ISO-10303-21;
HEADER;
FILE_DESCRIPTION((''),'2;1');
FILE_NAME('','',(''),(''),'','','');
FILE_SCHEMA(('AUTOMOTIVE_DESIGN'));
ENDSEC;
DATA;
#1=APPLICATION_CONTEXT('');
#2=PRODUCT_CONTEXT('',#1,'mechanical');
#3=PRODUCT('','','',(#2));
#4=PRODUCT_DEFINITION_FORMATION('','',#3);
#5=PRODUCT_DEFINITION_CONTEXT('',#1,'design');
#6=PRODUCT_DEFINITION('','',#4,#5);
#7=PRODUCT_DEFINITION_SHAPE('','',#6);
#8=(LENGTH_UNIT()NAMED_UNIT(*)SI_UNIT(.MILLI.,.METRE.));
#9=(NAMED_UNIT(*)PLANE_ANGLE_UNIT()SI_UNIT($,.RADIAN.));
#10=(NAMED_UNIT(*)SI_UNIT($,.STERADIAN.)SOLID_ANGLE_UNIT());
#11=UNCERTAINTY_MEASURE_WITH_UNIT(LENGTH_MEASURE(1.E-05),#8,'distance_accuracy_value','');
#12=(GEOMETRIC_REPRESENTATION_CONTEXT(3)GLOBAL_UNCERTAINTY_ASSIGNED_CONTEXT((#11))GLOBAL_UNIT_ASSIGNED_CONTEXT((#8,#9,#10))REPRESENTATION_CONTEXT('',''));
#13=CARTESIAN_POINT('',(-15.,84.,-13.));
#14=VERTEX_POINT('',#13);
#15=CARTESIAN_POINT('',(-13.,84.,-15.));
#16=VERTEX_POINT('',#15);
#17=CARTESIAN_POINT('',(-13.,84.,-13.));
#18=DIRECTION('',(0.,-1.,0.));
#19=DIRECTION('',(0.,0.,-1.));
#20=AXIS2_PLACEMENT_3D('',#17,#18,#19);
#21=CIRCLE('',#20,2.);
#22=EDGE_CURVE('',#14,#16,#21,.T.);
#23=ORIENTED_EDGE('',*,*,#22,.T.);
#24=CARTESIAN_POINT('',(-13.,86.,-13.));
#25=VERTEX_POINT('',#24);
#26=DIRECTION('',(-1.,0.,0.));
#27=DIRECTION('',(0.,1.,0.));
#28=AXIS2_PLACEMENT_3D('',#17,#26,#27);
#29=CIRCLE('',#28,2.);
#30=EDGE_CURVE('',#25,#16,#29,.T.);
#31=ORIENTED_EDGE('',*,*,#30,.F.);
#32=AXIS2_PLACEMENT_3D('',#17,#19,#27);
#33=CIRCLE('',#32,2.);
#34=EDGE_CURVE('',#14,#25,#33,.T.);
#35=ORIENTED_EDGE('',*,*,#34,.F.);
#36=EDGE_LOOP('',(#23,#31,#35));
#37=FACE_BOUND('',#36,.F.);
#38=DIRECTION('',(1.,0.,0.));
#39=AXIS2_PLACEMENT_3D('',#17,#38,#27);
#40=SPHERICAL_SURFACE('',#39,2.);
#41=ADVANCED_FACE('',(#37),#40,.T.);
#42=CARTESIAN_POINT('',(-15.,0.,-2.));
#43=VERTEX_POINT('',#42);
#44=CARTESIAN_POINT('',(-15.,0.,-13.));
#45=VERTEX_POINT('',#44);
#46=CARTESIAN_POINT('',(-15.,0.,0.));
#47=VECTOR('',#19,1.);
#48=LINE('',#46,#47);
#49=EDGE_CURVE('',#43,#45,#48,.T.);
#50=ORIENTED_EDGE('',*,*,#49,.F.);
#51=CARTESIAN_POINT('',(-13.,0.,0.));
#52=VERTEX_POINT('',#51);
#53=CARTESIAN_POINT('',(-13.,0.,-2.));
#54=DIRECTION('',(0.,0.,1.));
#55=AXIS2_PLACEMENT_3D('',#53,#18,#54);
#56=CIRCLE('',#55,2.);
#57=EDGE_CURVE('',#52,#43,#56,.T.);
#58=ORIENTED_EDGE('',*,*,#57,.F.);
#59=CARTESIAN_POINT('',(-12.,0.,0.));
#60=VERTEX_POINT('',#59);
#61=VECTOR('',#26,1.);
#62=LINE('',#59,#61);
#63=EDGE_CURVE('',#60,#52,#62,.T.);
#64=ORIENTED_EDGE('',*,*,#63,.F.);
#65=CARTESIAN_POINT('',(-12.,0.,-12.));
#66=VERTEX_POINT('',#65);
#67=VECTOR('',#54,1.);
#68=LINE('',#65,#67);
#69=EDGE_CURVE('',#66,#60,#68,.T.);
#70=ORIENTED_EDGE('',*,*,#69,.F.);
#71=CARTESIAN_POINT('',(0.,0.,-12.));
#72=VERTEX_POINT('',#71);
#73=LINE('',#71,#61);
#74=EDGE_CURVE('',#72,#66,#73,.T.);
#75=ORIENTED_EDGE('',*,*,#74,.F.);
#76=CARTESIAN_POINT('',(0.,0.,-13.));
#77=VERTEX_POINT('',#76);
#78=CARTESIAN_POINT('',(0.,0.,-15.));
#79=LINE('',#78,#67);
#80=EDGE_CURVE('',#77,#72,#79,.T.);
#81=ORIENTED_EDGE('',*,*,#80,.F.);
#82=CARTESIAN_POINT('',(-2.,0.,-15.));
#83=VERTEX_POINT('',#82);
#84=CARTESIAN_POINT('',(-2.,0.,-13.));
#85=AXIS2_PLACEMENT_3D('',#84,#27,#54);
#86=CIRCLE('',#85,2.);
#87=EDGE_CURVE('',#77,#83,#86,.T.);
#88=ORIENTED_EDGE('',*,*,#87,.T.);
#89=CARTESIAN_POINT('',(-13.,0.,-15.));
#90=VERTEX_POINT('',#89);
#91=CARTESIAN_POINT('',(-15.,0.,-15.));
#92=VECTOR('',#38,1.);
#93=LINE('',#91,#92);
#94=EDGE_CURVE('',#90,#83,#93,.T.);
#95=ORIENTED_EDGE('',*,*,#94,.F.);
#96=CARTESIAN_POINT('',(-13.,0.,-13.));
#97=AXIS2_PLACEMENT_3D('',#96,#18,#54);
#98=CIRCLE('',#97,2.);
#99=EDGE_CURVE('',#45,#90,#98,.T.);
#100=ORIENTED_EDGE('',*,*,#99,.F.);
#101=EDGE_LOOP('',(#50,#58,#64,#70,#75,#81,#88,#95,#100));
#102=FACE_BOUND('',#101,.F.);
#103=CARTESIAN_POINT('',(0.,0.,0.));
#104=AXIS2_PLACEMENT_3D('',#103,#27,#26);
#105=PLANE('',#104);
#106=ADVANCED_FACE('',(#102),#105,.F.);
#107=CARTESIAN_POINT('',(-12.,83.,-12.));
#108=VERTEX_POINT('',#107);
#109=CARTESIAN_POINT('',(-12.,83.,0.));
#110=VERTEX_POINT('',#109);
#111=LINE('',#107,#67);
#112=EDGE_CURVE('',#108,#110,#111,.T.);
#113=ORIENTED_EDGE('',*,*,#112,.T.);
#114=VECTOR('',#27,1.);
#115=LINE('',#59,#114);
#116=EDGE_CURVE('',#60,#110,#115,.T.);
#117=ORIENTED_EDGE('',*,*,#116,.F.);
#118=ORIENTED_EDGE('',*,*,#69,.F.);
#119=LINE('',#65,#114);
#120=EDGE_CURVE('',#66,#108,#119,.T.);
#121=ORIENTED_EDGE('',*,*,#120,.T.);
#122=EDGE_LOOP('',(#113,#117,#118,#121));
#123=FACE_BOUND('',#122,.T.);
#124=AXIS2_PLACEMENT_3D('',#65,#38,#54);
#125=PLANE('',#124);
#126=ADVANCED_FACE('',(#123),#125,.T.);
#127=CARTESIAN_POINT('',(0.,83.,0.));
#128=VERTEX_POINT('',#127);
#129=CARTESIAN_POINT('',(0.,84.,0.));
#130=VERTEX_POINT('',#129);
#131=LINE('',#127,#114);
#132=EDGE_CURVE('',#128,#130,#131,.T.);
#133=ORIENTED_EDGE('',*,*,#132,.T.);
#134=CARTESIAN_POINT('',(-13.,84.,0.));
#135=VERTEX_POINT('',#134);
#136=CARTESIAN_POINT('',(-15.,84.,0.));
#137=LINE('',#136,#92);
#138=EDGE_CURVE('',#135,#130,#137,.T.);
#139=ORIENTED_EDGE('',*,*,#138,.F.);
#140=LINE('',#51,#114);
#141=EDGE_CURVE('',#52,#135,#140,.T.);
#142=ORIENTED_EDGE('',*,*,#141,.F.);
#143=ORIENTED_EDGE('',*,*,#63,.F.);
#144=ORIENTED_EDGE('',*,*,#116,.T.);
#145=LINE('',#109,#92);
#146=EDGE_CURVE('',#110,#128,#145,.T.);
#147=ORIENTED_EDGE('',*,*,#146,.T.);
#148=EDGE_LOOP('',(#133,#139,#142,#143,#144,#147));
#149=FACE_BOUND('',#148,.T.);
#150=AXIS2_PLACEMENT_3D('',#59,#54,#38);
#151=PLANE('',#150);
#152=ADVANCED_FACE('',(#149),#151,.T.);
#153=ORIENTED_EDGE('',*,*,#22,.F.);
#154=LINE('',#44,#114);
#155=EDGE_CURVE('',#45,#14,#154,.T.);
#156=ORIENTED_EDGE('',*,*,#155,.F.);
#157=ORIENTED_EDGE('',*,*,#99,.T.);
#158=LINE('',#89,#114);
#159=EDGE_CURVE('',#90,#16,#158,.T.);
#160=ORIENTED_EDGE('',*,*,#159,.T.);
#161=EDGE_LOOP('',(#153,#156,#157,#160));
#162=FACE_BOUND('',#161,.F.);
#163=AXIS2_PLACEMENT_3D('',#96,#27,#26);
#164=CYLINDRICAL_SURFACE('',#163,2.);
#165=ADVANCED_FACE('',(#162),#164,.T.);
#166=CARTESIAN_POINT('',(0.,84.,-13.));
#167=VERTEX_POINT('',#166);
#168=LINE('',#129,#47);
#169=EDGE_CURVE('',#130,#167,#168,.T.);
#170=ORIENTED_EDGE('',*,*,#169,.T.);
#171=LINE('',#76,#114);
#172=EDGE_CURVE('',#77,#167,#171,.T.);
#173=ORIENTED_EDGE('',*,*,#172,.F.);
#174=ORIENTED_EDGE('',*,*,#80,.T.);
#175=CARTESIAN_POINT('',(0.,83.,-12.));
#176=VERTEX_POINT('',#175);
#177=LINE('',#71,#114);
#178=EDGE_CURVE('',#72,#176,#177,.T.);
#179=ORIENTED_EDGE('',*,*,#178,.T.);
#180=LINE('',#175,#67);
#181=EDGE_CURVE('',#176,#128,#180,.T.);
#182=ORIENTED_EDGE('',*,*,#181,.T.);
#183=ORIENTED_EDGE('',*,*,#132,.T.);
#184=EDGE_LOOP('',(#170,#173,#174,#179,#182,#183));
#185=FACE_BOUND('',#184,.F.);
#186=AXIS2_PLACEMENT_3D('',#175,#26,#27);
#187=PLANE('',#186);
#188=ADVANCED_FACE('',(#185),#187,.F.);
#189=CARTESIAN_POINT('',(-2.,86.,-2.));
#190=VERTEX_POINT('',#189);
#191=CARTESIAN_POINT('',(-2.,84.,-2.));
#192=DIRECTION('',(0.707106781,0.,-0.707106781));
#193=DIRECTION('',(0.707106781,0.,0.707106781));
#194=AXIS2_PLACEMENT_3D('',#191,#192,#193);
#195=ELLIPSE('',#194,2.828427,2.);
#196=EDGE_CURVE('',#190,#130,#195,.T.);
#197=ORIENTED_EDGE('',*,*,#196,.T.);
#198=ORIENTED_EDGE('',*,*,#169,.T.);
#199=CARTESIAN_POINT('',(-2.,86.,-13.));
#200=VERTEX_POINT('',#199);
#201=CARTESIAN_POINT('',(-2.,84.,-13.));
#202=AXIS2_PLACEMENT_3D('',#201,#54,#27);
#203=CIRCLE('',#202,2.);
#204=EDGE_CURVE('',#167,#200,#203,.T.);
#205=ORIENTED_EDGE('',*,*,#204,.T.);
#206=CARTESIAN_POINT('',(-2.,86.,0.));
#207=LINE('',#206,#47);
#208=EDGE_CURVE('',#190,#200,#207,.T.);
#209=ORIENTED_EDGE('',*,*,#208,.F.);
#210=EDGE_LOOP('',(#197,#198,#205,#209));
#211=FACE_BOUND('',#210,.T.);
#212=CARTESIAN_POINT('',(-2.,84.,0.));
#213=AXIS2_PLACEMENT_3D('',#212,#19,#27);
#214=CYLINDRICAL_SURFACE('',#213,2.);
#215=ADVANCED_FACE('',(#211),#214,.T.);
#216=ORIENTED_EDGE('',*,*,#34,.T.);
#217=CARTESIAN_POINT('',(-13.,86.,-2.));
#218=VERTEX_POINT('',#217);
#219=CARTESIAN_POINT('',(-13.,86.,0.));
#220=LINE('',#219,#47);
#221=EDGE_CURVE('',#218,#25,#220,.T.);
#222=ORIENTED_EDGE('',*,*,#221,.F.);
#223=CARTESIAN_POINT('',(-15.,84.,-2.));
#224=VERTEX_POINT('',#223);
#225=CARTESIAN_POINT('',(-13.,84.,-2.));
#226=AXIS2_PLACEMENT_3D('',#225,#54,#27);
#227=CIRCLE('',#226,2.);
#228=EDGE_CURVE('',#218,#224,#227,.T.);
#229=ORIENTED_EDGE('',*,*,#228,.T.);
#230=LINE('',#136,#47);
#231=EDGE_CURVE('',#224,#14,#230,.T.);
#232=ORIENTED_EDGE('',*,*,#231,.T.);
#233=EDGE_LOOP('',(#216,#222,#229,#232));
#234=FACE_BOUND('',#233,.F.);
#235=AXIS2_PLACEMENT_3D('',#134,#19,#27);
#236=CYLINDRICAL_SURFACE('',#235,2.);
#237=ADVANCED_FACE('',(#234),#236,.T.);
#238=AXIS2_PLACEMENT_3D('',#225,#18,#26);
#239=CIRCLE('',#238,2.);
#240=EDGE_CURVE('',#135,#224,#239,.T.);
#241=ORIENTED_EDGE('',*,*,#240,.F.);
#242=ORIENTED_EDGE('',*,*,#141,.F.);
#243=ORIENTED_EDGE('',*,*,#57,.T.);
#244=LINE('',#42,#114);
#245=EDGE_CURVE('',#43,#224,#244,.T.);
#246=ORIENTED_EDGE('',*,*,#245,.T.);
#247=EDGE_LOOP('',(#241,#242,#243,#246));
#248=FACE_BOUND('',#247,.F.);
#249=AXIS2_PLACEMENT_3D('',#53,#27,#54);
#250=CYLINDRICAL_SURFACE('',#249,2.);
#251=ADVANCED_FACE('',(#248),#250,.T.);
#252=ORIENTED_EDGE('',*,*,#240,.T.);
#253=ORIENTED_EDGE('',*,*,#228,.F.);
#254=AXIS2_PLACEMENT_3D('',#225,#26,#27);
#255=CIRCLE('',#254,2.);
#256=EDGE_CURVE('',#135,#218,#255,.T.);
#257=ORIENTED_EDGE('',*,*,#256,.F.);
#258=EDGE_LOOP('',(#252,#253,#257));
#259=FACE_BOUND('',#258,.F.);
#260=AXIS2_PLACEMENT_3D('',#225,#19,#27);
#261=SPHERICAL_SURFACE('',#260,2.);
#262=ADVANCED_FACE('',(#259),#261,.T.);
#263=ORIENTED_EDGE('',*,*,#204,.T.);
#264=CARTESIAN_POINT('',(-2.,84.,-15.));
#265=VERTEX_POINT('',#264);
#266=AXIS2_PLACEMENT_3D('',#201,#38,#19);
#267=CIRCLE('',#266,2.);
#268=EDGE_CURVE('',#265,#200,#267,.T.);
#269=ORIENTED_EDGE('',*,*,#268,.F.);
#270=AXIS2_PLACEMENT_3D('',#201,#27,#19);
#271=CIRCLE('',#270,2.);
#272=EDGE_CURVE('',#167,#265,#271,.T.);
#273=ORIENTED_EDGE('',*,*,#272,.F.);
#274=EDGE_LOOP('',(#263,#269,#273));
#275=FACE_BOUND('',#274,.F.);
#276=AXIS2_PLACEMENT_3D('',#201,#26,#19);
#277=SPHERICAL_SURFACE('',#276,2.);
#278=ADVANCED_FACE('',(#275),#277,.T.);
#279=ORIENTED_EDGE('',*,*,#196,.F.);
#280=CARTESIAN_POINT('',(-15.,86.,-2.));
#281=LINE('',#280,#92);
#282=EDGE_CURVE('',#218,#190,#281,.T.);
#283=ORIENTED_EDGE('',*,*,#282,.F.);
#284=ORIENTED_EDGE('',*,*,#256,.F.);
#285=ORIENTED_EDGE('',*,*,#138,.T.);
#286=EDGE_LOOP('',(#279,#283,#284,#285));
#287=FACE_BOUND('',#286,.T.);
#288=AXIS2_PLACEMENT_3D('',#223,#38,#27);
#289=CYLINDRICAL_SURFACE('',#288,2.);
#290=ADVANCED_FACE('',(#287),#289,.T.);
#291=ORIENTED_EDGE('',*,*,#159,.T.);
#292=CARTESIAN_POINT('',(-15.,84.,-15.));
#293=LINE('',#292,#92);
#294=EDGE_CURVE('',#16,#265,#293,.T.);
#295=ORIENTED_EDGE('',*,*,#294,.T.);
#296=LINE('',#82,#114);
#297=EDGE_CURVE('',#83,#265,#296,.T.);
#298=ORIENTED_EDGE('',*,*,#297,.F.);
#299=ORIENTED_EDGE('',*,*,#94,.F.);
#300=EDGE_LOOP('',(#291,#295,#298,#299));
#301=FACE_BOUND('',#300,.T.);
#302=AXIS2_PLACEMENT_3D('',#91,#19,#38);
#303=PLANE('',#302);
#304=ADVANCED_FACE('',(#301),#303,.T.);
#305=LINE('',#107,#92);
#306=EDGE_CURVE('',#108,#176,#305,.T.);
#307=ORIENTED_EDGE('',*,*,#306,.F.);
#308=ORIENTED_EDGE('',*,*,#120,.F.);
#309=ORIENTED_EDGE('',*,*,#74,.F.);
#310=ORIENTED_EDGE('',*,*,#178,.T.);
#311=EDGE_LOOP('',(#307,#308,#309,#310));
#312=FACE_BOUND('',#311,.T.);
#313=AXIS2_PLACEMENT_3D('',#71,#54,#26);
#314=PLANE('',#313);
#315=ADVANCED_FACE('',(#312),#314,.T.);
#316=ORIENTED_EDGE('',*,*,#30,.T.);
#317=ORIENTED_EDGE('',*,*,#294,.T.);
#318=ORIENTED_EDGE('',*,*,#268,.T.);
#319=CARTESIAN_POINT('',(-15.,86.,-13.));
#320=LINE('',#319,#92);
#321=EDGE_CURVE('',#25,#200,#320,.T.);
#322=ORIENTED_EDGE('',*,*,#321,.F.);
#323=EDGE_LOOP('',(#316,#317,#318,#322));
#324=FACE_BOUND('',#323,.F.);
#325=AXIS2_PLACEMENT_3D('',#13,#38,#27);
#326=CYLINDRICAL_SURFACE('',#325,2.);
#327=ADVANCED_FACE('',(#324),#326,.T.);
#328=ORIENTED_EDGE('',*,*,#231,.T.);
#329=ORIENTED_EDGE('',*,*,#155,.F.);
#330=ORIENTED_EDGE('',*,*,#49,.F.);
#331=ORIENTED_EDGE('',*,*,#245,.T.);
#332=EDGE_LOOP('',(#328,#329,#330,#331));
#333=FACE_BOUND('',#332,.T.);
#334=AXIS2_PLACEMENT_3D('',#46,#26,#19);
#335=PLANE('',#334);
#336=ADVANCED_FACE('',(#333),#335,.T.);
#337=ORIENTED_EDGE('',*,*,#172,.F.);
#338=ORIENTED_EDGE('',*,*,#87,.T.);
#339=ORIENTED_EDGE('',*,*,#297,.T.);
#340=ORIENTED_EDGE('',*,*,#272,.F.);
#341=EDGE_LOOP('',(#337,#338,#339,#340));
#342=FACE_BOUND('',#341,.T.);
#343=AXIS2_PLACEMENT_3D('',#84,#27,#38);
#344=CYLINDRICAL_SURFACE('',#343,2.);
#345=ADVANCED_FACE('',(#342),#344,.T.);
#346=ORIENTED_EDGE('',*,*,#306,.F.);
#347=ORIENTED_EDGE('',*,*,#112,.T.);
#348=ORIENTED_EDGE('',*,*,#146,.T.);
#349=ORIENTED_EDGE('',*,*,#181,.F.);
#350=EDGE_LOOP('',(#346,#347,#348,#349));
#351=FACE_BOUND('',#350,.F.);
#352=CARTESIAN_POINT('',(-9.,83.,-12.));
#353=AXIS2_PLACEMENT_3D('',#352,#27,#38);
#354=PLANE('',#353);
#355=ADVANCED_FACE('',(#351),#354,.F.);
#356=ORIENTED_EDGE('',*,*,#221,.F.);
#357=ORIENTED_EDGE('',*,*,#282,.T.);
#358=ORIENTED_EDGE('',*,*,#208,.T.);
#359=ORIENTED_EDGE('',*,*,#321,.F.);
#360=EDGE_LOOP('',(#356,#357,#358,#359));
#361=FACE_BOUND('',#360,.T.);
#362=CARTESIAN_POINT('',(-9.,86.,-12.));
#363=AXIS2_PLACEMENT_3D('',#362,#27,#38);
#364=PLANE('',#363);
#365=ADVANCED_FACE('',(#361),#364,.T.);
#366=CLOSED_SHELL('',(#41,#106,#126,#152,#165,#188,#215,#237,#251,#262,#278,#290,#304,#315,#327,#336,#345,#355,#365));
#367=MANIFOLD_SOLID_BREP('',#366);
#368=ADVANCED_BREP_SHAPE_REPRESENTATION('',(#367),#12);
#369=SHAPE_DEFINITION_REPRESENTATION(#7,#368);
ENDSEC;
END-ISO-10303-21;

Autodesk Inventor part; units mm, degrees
ref_plane "YZ Plane" through (0, 0, 0) normal (1, 0, 0) x (0, 1, 0)
ref_plane "XZ Plane" through (0, 0, 0) normal (0, 1, 0) x (-1, 0, 0)
ref_plane "XY Plane" through (0, 0, 0) normal (0, 0, 1) x (1, 0, 0)
sketch "Sketch1" plane through (0, 0, 0) normal (0, 1, 0) x (-1, 0, 0)
  line L0 (15, 0) -> (15, -15)
  line L1 (15, -15) -> (0, -15)
  line L2 (0, -15) -> (0, -12)
  line L3 (0, -12) -> (12, -12)
  line L4 (12, -12) -> (12, 0)
  line L5 (12, 0) -> (15, 0)
  point P0 (0, 0)
  dimension "d0" = 15
  dimension "d1" = 15
  dimension "d10" = 3
  dimension "d11" = 12
  dimension "d12" = 12
extrude "Extrusion1" add sketch "Sketch1" along normal blind 86
sketch "Sketch4" plane through (-12, 0, 0) normal (1, 0, 0) x (0, 0, -1)
  line L0 (0, 0) -> (0, 86) projected
  line L1 (12, 0) -> (12, 86) projected
  line L2 (0, 86) -> (12, 86)
  line L3 (12, 86) -> (12, 83)
  line L4 (12, 83) -> (0, 83)
  line L5 (0, 83) -> (0, 86)
  dimension "d13" = 3
extrude "Extrusion3" add sketch "Sketch4" along normal blind 3
sketch "Sketch6" plane through (-12, 0, -12) normal (0, 0, 1) x (1, 0, 0)
  line L0 (3, 86) -> (12, 86) projected
  line L1 (12, 86) -> (3, 86)
  line L2 (3, 86) -> (3, 83)
  line L3 (3, 83) -> (12, 83)
  line L4 (12, 83) -> (12, 86)
  point P0 (12, 0)
extrude "Extrusion4" add sketch "Sketch6" along normal blind 12
fillet "Fillet3" radius 2 7 edges at (-7.5, 86, -15) (-15, 86, -7.5) (-15, 43, -15) (0, 43, -15) (-7.5, 86, 0) (0, 86, -7.5) (-15, 43, 0)
properties part number "DoosjeHoeken" material "ABS Plastic"
